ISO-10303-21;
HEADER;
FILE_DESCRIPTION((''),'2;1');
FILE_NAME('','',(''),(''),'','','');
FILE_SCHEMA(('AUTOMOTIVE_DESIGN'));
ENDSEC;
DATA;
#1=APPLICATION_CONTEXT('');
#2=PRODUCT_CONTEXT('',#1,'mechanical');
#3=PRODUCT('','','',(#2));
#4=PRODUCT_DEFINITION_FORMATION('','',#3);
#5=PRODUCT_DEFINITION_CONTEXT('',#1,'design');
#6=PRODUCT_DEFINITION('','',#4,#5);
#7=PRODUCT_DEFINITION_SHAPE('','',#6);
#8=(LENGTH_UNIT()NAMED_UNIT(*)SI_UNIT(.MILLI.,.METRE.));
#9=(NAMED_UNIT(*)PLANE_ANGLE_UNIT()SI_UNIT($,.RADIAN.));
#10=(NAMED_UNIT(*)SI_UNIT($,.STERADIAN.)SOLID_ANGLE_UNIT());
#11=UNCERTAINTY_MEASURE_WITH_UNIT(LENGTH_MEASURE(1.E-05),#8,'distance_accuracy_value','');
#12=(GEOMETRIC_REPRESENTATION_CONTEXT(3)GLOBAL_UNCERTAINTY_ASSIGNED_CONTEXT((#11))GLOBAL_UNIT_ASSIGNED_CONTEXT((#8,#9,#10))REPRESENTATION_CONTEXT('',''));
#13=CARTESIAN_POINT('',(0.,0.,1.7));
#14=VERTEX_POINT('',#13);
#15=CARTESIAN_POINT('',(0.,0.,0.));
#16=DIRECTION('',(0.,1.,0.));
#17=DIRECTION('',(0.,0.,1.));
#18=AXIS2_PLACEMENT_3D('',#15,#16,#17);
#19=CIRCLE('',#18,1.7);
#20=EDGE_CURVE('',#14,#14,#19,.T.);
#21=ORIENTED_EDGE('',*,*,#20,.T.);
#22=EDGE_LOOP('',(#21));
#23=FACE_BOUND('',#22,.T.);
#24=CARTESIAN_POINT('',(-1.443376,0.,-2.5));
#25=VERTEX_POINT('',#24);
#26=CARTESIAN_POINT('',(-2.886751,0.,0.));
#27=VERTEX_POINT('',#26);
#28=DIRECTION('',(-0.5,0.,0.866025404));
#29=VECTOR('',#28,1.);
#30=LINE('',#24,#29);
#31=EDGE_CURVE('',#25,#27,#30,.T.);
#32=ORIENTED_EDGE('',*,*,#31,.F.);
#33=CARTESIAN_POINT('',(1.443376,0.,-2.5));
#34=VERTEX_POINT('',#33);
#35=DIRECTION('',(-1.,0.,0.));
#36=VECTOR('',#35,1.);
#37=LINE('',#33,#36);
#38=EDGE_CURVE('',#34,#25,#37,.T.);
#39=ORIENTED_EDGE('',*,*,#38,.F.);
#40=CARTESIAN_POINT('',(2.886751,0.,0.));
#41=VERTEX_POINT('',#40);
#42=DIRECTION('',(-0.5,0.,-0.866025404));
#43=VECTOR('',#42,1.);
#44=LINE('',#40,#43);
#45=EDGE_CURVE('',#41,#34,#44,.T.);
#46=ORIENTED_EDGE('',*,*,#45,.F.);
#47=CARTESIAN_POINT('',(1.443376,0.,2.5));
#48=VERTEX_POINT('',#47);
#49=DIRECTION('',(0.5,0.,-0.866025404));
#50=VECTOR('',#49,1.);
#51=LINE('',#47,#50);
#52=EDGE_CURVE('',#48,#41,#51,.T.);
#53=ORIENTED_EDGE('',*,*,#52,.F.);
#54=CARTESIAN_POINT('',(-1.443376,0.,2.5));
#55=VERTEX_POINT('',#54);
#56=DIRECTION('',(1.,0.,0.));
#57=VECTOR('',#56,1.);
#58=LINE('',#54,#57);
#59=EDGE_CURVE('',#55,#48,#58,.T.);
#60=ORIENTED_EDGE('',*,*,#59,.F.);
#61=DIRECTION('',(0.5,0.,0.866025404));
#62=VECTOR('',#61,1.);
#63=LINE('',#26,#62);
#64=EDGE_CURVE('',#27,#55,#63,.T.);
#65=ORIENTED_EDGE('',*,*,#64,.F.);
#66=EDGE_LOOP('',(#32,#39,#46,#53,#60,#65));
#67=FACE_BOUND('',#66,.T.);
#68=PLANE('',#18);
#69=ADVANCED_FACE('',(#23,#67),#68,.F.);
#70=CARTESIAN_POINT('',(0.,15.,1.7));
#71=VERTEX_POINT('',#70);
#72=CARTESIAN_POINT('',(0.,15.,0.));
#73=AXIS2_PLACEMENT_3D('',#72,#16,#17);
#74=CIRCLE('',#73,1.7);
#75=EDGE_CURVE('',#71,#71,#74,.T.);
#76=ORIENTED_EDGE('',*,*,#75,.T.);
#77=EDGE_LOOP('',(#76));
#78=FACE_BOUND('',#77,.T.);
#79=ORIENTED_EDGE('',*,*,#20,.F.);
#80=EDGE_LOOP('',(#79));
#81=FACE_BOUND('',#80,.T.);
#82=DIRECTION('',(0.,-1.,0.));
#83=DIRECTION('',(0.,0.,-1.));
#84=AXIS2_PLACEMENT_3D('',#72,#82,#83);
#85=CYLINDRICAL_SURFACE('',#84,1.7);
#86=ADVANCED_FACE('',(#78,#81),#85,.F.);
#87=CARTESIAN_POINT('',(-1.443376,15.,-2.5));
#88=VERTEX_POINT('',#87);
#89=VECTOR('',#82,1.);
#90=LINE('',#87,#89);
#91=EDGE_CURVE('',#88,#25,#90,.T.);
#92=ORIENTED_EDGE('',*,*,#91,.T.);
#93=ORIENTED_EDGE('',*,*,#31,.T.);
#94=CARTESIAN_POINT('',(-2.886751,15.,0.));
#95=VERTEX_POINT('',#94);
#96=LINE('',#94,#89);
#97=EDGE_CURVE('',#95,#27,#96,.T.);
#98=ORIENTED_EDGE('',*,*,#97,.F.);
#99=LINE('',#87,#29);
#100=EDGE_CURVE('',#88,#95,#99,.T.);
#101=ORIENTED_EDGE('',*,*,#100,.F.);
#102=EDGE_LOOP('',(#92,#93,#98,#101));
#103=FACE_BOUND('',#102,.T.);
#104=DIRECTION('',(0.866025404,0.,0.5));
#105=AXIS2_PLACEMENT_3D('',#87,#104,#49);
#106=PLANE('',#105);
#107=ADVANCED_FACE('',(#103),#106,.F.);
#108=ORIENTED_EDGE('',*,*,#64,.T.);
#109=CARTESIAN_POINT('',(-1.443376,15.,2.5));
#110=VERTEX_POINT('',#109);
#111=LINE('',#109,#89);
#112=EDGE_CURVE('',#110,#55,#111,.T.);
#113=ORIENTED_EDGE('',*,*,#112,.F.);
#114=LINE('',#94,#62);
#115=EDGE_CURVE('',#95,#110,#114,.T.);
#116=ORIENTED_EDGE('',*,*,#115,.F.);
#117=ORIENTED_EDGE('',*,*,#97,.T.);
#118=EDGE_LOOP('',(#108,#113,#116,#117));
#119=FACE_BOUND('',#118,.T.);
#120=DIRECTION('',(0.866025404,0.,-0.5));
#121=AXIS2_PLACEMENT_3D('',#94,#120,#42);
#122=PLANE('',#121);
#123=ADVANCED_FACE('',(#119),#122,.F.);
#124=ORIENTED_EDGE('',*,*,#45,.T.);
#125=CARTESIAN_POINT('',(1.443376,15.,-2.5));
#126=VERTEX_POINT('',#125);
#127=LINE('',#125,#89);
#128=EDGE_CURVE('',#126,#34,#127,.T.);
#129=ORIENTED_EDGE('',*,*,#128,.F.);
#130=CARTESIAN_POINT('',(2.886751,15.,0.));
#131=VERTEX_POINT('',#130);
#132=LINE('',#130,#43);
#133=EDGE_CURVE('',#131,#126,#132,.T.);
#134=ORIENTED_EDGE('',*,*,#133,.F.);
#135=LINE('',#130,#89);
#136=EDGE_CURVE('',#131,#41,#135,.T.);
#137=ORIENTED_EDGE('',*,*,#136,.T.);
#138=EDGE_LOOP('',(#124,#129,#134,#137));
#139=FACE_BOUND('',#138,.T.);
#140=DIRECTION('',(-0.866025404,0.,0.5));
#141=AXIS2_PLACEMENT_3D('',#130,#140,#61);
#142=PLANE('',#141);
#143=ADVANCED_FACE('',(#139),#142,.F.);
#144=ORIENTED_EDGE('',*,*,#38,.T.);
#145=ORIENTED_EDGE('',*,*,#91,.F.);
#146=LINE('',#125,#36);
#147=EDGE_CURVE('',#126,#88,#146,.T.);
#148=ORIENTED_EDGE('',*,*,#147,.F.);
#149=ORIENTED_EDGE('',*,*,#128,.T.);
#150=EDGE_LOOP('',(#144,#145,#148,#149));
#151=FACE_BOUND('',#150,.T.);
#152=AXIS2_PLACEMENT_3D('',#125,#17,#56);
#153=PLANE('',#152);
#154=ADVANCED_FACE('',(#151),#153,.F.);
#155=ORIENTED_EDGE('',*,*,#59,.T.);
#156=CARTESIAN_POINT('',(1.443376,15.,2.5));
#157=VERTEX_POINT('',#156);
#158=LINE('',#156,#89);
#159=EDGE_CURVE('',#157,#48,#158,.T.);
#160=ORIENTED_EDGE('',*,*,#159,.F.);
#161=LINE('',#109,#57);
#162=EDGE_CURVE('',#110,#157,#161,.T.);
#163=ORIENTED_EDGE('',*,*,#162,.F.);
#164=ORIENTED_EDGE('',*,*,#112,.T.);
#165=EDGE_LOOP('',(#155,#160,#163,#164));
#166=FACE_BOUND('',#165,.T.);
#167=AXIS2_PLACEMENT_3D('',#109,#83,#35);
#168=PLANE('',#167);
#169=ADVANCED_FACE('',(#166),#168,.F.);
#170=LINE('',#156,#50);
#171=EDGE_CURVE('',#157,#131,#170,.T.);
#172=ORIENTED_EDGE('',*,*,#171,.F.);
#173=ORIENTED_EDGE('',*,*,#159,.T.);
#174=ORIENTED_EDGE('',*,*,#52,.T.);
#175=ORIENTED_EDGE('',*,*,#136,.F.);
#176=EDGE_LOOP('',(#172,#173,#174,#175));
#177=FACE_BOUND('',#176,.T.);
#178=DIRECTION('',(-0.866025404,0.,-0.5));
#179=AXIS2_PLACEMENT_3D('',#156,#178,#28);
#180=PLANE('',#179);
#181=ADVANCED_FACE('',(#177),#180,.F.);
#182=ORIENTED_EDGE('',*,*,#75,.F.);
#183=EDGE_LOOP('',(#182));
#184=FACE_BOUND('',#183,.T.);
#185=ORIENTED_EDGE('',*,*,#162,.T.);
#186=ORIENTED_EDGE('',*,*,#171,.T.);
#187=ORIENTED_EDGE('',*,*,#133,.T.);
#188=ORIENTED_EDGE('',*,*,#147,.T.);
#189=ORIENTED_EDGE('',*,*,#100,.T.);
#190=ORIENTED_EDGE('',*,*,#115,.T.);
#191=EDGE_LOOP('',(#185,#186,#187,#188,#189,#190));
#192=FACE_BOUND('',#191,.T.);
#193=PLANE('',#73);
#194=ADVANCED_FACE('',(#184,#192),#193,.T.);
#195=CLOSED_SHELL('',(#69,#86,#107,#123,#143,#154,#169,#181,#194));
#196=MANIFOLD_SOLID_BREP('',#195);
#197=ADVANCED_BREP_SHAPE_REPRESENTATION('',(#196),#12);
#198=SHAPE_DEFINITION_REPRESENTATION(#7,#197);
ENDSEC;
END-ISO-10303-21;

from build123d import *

# Parameters (mm, degrees)
SKETCH_1_R      = 1.7
EXTRUDE_1_DEPTH = 15


with BuildPart() as part:
    # 草图1 → 凸台-拉伸1 (new body)
    with BuildSketch(Plane(origin=(0, 0, 0), x_dir=(1, 0, 0), z_dir=(0, 1, 0))):
        Polygon((2.886751346, 0), (1.443375673, 2.5), (-1.443375673, 2.5), (-2.886751346, 0), (-1.443375673, -2.5), (1.443375673, -2.5), align=None)
        with Locations(Location((0, 0, 0), (0, 0, 270))):
            Circle(SKETCH_1_R, mode=Mode.SUBTRACT)
    extrude(amount=EXTRUDE_1_DEPTH)


solid = part.part
